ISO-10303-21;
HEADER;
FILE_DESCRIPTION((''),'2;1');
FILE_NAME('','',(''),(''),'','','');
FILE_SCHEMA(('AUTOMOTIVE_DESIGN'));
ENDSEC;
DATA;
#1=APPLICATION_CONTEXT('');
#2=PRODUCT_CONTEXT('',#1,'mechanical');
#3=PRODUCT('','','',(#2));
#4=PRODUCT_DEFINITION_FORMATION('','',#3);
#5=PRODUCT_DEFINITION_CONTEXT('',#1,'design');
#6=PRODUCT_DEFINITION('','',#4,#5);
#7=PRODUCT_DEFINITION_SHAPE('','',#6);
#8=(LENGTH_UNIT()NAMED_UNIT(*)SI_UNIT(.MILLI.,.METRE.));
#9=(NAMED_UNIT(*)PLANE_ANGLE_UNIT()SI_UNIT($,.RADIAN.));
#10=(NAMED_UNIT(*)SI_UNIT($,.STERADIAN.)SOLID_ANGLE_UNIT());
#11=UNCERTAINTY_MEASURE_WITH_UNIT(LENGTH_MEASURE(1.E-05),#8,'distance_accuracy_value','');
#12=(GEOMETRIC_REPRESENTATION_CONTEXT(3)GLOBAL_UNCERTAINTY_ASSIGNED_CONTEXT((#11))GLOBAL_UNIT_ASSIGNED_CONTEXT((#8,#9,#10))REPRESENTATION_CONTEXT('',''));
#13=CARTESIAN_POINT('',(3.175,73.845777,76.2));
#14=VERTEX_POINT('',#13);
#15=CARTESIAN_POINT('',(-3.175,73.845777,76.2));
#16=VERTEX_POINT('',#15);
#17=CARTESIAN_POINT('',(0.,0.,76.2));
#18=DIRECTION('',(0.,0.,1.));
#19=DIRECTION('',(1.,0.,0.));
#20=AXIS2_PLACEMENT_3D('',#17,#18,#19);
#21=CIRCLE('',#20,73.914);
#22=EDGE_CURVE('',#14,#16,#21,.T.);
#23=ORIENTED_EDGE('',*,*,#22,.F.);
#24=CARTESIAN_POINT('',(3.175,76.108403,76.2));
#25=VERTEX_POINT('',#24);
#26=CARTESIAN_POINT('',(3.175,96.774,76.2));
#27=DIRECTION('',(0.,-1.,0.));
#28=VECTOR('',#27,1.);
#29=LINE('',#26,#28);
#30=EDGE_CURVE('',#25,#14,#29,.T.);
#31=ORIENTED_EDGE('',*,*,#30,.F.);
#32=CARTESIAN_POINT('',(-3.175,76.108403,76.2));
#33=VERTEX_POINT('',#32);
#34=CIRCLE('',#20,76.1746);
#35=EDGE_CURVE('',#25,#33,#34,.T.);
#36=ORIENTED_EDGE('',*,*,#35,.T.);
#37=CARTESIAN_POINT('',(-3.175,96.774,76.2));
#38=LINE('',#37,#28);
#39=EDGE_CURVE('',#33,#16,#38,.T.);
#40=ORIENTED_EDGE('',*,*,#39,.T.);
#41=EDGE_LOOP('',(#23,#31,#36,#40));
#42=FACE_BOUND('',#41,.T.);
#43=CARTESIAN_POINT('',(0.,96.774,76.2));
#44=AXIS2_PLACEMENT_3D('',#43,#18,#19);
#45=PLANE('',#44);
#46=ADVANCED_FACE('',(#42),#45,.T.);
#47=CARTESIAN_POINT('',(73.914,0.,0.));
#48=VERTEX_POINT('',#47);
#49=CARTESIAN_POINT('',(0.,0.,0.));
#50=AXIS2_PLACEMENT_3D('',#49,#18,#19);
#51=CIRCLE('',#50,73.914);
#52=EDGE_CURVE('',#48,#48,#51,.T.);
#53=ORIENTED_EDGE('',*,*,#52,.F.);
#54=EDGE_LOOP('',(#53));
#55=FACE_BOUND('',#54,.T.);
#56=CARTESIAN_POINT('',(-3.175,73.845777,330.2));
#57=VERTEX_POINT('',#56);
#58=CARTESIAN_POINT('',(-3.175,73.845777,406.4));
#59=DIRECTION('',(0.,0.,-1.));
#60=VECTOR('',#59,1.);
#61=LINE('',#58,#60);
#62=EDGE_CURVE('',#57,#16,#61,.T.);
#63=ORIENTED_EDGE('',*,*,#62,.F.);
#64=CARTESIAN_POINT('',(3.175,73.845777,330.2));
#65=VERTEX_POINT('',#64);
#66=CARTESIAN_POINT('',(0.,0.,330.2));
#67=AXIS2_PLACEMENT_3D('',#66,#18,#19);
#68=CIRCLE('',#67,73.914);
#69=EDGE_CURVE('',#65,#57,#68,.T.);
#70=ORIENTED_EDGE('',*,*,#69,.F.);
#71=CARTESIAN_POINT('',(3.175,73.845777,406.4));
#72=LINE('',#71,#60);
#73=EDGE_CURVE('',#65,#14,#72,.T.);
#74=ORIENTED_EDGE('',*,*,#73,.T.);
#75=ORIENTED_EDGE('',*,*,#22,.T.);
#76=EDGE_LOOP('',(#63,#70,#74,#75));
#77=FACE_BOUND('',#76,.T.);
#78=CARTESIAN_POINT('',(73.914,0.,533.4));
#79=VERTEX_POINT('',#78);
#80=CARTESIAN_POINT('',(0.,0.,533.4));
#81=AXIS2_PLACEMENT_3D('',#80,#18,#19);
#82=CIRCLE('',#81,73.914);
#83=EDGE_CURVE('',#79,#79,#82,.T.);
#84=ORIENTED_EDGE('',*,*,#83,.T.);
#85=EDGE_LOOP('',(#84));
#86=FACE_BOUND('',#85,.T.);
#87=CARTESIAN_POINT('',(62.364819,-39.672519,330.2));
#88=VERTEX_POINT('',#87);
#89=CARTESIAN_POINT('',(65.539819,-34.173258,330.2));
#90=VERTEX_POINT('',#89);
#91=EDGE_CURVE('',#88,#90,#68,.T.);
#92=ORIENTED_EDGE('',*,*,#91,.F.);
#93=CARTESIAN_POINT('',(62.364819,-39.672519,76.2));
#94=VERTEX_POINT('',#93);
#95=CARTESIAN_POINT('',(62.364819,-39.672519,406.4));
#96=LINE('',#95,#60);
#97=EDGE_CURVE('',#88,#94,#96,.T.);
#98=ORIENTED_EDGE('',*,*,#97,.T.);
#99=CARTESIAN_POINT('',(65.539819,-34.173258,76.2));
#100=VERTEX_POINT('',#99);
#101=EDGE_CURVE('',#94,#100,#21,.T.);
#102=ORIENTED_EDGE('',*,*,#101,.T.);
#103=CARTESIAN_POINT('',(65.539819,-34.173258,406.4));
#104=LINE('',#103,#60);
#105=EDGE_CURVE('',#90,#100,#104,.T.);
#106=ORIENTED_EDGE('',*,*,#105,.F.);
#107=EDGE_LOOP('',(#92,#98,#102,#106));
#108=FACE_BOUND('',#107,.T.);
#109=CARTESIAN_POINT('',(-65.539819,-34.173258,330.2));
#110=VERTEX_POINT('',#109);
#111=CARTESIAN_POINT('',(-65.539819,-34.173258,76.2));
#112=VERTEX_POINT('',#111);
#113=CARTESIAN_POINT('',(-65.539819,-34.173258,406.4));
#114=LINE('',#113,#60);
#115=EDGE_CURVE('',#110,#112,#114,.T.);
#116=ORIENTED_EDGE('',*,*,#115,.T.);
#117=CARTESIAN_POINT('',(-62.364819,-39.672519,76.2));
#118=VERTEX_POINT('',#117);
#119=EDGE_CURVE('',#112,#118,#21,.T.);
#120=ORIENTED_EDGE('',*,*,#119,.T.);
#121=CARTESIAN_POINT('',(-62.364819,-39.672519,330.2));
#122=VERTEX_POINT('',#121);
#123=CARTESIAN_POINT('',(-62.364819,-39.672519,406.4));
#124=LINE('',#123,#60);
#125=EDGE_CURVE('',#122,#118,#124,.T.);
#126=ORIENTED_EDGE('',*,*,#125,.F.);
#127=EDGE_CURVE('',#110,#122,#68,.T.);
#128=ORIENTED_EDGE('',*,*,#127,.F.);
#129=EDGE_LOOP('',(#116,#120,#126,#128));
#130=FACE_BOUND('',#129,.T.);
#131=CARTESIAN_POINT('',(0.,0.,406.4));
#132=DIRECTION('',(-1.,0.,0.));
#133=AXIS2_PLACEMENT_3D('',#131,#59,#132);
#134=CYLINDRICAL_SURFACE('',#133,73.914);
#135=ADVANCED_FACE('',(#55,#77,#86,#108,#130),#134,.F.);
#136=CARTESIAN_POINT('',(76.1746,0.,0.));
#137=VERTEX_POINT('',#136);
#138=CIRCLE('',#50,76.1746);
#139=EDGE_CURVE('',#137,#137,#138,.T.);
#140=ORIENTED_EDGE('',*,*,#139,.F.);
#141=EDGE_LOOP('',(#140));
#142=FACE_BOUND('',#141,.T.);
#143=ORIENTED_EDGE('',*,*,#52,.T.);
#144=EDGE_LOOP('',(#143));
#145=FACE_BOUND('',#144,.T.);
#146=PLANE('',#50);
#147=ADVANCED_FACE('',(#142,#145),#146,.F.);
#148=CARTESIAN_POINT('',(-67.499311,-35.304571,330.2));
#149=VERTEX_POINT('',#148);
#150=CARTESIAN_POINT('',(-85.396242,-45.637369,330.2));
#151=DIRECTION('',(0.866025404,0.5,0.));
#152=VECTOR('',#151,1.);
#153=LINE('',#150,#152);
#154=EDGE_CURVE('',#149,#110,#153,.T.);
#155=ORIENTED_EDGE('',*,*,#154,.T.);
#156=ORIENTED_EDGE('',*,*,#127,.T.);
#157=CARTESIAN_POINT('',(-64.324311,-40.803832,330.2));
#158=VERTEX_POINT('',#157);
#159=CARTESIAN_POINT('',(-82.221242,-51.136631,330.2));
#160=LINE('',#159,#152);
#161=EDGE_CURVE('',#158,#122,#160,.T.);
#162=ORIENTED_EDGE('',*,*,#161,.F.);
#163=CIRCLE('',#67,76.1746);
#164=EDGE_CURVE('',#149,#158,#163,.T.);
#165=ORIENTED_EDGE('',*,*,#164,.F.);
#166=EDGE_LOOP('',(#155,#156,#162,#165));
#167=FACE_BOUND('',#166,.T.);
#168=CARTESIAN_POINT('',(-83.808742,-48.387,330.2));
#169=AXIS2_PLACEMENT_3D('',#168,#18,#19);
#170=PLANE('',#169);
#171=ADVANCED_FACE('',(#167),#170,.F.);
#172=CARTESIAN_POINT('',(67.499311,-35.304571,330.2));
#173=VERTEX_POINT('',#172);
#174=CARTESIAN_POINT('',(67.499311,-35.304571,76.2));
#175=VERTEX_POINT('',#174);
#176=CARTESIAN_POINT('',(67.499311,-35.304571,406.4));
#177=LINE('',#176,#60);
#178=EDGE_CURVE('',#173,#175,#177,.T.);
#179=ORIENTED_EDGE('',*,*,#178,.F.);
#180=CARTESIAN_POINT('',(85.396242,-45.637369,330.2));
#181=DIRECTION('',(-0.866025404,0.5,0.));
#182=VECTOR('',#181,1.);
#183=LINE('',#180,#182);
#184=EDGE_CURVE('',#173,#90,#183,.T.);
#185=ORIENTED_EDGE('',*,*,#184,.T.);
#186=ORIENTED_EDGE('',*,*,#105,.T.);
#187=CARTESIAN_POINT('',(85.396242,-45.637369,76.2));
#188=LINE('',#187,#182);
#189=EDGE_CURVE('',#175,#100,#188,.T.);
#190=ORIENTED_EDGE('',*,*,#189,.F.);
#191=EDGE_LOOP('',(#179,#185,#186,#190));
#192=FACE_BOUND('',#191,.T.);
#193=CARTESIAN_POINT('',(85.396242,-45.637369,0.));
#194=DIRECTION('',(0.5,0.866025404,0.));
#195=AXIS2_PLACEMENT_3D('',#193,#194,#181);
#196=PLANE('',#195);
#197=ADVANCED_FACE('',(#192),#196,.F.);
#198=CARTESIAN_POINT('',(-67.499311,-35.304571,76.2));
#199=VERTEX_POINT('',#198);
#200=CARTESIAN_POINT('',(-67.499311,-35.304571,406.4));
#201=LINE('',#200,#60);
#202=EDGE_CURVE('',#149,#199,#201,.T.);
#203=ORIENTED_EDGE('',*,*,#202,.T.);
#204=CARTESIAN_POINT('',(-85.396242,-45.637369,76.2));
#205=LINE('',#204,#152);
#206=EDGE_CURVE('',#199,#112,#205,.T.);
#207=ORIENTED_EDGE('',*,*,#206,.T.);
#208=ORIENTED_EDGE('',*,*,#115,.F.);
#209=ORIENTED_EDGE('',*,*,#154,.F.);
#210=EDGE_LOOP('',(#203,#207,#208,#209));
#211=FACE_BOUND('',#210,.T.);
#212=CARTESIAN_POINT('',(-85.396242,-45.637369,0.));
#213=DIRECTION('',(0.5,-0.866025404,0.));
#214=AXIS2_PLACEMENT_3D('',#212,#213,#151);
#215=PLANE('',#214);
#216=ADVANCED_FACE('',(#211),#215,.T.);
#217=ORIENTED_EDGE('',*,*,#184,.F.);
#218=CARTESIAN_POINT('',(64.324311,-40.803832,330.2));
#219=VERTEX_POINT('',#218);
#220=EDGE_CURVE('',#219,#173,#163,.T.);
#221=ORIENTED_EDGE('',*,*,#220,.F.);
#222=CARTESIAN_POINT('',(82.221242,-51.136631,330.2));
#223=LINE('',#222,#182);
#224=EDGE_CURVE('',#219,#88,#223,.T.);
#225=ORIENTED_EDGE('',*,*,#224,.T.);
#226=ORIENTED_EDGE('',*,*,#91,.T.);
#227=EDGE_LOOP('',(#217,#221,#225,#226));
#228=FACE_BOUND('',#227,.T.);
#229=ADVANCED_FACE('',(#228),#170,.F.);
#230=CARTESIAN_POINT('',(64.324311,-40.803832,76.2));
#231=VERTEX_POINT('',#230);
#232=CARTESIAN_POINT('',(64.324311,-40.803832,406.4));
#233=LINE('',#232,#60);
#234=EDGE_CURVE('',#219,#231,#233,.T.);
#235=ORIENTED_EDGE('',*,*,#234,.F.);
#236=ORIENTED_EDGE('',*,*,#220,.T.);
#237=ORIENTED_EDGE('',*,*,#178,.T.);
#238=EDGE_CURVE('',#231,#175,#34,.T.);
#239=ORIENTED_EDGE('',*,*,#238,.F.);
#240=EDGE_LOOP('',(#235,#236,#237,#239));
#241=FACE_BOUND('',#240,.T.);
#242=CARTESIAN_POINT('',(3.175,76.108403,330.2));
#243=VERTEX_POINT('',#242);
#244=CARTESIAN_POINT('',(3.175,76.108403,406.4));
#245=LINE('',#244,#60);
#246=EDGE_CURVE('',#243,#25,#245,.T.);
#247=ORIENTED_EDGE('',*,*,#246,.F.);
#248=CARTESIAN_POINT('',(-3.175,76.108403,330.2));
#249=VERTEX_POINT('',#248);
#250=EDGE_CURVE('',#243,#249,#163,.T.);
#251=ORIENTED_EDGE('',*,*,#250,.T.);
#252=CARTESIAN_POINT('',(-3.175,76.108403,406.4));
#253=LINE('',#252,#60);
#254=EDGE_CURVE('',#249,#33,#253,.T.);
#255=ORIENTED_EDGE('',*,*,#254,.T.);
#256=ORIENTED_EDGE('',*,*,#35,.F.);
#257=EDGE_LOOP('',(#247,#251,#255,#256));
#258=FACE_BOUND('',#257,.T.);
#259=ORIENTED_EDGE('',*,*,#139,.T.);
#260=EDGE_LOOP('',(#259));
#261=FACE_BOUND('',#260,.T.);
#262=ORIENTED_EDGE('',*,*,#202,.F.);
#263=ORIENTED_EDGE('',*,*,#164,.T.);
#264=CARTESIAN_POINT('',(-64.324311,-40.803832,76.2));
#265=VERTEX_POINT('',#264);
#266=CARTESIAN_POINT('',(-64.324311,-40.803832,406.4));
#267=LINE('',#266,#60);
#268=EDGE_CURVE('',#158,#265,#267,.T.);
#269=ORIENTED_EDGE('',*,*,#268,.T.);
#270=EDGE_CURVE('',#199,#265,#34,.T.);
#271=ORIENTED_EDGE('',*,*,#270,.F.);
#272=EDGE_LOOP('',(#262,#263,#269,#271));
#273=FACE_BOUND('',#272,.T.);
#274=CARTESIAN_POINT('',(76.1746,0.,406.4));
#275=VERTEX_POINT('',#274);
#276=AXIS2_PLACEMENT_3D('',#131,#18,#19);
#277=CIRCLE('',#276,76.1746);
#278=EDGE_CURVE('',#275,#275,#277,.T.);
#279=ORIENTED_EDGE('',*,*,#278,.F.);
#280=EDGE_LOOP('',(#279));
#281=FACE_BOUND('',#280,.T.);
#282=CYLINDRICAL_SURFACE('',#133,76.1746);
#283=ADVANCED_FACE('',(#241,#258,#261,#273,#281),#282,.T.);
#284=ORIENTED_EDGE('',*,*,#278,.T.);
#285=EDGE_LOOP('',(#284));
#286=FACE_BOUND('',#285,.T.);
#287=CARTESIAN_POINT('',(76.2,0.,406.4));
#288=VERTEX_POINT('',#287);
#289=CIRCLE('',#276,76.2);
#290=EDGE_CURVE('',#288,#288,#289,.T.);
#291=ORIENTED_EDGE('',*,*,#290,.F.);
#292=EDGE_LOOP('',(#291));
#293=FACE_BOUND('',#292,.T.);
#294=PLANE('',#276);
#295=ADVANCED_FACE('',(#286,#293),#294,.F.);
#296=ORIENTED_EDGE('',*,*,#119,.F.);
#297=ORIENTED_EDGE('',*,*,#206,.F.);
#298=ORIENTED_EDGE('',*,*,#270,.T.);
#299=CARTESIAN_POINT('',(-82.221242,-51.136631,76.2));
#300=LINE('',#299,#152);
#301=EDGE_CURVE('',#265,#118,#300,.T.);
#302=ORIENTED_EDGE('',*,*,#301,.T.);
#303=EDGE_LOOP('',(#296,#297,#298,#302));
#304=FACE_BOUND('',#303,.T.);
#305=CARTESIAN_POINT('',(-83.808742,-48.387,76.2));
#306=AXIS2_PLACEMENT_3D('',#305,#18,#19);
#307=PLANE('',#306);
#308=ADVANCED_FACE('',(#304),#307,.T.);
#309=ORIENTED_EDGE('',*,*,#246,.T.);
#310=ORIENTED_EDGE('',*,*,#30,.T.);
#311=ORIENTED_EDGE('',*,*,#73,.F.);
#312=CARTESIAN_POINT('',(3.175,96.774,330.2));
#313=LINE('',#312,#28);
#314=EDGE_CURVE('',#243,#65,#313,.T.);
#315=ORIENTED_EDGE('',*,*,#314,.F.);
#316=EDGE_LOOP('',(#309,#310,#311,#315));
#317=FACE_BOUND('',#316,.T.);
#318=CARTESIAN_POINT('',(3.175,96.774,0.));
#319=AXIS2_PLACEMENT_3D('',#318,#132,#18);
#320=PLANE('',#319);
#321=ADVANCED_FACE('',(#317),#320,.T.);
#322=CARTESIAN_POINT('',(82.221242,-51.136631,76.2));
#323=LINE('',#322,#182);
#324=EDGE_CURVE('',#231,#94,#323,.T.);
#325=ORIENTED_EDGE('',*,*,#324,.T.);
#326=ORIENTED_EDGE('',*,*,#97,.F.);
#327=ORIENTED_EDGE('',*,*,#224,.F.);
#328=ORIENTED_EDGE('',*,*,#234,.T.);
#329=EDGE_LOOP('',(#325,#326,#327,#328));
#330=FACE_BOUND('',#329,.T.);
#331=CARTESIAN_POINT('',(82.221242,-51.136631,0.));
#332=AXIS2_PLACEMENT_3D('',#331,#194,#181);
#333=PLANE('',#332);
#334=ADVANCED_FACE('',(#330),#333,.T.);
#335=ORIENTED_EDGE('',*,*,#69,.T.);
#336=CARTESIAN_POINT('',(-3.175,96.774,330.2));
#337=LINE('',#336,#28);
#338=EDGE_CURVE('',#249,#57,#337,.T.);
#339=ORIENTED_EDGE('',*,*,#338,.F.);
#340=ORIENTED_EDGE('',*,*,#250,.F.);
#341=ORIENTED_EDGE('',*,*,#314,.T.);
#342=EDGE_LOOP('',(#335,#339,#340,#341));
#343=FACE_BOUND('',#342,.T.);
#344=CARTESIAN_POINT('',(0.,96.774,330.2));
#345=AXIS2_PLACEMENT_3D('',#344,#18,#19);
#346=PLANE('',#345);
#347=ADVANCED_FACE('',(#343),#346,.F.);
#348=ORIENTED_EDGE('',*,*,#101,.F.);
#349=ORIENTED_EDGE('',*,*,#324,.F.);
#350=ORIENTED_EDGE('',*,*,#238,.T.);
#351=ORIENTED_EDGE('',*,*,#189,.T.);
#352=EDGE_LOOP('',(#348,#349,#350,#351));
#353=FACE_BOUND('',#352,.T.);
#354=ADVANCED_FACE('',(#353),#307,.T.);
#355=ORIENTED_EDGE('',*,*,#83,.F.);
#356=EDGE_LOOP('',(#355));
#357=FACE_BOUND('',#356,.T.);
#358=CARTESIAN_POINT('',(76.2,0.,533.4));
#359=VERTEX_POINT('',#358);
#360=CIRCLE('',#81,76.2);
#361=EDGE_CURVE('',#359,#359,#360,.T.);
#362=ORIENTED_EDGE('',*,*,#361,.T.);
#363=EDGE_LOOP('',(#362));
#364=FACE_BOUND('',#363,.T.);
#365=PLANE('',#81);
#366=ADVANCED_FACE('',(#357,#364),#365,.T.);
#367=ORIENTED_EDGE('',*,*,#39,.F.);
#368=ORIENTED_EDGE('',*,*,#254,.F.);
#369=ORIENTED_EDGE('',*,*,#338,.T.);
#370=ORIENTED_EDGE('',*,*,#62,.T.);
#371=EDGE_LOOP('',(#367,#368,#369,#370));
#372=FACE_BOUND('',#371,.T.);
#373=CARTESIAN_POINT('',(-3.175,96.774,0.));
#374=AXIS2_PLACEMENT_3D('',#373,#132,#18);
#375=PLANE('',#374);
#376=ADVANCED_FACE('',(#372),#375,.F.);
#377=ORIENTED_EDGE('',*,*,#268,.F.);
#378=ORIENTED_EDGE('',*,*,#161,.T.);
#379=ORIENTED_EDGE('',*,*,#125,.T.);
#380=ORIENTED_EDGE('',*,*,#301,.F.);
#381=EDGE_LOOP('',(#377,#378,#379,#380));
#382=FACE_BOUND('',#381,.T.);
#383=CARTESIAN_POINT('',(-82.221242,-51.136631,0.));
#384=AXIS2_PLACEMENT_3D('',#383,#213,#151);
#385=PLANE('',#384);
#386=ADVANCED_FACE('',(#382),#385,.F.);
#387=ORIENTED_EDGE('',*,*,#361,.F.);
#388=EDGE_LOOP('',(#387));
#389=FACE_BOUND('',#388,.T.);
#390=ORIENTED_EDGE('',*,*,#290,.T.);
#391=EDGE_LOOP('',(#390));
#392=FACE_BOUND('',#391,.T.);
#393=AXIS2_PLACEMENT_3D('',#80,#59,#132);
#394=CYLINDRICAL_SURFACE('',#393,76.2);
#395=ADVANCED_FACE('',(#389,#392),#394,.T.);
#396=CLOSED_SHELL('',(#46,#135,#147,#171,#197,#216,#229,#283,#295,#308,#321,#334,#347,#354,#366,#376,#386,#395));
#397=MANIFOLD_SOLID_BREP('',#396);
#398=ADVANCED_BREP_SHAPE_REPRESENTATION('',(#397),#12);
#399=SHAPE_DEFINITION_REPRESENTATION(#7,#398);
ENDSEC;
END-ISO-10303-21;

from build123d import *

# Parameters (mm, degrees)
ESQUISSE2_R                  = 76.1746
ESQUISSE2_R_2                = 73.914
BOSS_EXTRU_1_DEPTH           = 406.4
ESQUISSE3_R                  = 76.2
ESQUISSE3_R_2                = 73.914
BOSS_EXTRU_2_DEPTH           = 127
ESQUISSE4_W                  = 6.35
ESQUISSE4_H                  = 254
ENL_V_MAT_EXTRU_1_DEPTH      = 96.774
R_P_TITION_CIRCULAIRE1_COUNT = 3


with BuildPart() as part:
    # Esquisse2 → Boss.-Extru.1 (new body)
    with BuildSketch(Plane.XY):
        Circle(ESQUISSE2_R)
        Circle(ESQUISSE2_R_2, mode=Mode.SUBTRACT)
    extrude(amount=BOSS_EXTRU_1_DEPTH)

    # Esquisse3 → Boss.-Extru.2 (add)
    with BuildSketch(Plane.XY.offset(406.4)):
        Circle(ESQUISSE3_R)
        Circle(ESQUISSE3_R_2, mode=Mode.SUBTRACT)
    extrude(amount=BOSS_EXTRU_2_DEPTH)

    # Esquisse4 → Enlèv. mat.-Extru.1 (cut)
    with BuildSketch(Plane(origin=(0, 0, 0), x_dir=(1, 0, 0), z_dir=(0, 1, 0))):
        with Locations((0, -203.2)):
            Rectangle(ESQUISSE4_W, ESQUISSE4_H)
    enl_v_mat_extru_1 = extrude(amount=ENL_V_MAT_EXTRU_1_DEPTH, mode=Mode.SUBTRACT)

    # Répétition circulaire1: Enlèv. mat.-Extru.1 ×3 about axis
    r_p_tition_circulaire1_axis = Axis((0, 0, 0), (0, 0, 1))
    for i in range(1, R_P_TITION_CIRCULAIRE1_COUNT):
        add(enl_v_mat_extru_1.rotate(r_p_tition_circulaire1_axis, i * 360 / R_P_TITION_CIRCULAIRE1_COUNT), mode=Mode.SUBTRACT)


solid = part.part
